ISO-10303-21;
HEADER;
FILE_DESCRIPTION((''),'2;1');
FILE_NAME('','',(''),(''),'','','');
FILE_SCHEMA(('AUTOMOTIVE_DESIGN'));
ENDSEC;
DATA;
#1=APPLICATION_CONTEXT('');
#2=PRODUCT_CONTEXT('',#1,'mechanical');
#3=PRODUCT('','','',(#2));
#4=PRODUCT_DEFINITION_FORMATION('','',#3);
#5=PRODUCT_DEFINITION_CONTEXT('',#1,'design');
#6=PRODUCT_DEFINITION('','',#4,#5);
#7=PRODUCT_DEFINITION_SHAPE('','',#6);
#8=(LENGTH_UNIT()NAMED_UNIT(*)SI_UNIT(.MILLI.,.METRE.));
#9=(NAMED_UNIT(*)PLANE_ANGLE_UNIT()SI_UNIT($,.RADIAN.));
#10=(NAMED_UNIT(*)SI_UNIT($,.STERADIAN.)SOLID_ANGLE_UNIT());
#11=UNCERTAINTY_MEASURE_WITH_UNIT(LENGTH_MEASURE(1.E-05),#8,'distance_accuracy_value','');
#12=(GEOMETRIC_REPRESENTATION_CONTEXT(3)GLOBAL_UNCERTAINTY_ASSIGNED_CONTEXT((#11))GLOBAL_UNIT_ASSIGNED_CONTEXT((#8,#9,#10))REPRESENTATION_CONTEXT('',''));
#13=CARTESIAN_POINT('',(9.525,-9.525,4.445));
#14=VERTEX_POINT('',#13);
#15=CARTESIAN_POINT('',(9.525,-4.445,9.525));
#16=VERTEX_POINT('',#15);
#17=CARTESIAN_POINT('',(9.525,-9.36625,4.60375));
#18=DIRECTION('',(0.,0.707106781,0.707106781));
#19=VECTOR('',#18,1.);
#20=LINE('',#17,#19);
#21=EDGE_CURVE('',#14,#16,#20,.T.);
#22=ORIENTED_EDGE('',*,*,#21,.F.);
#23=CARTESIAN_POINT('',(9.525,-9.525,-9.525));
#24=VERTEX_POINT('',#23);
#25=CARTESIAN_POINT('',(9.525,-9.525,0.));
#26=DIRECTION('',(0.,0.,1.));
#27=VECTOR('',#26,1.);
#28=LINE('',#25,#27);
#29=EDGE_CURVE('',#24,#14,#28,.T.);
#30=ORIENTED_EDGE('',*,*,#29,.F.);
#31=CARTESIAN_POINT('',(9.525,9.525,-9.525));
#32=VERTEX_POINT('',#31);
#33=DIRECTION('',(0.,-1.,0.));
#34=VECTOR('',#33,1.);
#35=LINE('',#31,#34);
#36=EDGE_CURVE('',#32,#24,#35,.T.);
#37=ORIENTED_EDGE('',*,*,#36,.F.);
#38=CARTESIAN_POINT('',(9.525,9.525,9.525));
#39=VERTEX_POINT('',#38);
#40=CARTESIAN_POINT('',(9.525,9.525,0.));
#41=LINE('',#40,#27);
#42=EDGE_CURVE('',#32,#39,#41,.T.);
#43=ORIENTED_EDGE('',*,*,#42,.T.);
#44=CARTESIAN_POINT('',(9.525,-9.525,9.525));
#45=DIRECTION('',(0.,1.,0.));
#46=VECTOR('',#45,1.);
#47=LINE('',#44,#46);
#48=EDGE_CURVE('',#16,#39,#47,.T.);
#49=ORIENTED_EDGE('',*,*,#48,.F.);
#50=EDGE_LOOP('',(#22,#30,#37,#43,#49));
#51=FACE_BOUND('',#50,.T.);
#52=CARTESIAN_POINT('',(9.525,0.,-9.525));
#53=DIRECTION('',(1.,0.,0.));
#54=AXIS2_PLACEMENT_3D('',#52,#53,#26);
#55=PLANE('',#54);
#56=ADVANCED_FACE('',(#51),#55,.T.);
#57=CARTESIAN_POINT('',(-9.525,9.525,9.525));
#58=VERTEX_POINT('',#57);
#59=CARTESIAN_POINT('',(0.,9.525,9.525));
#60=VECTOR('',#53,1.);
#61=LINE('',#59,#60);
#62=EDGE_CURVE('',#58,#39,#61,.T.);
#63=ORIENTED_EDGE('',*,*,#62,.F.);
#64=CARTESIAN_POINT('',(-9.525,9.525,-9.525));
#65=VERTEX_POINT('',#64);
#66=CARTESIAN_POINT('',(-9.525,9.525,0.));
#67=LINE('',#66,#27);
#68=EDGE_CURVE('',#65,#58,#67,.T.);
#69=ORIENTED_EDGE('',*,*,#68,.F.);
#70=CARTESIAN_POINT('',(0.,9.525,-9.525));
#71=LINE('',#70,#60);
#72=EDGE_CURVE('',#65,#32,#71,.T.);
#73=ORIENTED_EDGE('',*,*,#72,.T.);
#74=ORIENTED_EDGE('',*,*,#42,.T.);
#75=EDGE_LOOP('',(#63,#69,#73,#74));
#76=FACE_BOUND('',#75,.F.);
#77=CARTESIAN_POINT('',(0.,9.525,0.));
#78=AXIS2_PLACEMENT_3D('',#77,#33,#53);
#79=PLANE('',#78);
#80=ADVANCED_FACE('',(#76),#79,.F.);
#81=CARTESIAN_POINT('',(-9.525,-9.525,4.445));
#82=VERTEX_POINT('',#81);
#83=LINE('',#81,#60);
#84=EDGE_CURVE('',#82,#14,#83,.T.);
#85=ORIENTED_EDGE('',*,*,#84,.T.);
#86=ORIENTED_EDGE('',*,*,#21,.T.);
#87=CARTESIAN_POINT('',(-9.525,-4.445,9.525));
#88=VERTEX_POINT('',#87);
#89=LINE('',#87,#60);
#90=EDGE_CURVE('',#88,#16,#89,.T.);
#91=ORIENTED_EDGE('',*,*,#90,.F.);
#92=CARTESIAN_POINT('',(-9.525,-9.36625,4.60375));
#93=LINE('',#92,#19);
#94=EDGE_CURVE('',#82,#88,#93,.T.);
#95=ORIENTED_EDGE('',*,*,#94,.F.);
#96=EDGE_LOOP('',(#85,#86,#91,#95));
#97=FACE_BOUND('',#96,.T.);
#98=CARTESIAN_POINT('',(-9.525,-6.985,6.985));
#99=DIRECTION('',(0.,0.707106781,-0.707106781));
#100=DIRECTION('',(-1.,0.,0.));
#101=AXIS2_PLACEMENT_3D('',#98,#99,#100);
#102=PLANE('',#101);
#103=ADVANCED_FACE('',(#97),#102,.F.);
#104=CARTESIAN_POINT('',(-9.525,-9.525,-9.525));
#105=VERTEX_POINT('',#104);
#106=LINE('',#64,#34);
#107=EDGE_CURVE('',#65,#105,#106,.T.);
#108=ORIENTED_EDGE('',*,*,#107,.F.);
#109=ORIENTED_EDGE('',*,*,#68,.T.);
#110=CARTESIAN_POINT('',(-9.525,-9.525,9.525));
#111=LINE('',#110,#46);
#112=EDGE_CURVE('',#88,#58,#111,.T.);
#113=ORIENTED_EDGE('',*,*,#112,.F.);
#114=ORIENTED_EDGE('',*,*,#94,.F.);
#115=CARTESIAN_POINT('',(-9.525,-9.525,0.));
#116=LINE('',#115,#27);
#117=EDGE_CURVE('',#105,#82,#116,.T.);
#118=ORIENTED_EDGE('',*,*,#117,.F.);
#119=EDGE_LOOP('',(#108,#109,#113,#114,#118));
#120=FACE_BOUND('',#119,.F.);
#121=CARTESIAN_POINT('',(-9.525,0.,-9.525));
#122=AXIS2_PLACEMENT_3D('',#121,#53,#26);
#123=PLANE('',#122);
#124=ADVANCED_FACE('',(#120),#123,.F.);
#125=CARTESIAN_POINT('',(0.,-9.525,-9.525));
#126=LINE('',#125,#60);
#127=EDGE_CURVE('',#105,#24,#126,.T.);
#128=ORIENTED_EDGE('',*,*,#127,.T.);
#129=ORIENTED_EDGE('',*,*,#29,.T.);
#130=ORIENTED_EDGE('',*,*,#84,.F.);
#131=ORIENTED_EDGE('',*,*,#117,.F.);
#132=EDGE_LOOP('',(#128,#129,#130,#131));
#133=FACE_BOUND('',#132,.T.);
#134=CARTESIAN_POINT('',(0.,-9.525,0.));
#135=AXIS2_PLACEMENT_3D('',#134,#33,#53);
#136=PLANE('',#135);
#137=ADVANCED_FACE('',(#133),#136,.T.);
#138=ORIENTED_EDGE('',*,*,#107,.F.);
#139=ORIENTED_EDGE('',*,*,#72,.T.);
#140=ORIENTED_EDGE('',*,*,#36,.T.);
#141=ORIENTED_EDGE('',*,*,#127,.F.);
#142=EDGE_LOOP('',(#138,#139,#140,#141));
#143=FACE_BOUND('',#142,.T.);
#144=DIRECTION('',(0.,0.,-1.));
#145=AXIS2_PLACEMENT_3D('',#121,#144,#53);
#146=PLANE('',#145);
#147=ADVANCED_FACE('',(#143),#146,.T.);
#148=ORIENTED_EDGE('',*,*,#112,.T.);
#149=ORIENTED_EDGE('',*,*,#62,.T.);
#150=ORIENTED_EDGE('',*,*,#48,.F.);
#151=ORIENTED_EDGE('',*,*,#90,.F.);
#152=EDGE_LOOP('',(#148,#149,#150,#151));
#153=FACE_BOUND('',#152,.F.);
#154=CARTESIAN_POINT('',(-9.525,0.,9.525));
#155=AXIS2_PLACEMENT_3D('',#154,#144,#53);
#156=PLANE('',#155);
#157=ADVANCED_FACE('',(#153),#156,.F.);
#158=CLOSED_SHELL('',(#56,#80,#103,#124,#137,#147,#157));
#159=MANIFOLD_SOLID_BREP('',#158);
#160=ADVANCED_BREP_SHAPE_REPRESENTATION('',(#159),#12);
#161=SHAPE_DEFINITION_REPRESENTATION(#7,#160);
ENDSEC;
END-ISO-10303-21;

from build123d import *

# Parameters (mm, degrees)
F0_W     = 19.05
F0_H     = 19.05
F1_DEPTH = 9.525
F2_SIZE  = 5.08


with BuildPart() as f1:
    # F0 (on Front) → F1 (new body, symmetric)
    with BuildSketch(Plane.XZ):
        Rectangle(F0_W, F0_H)
    extrude(amount=F1_DEPTH, both=True)

    # F2
    f2_edges = [f1.edges().sort_by_distance(p)[0] for p in [
        (0, -9.525, 9.525),
    ]]
    chamfer(f2_edges, length=F2_SIZE)


solid = f1.part
